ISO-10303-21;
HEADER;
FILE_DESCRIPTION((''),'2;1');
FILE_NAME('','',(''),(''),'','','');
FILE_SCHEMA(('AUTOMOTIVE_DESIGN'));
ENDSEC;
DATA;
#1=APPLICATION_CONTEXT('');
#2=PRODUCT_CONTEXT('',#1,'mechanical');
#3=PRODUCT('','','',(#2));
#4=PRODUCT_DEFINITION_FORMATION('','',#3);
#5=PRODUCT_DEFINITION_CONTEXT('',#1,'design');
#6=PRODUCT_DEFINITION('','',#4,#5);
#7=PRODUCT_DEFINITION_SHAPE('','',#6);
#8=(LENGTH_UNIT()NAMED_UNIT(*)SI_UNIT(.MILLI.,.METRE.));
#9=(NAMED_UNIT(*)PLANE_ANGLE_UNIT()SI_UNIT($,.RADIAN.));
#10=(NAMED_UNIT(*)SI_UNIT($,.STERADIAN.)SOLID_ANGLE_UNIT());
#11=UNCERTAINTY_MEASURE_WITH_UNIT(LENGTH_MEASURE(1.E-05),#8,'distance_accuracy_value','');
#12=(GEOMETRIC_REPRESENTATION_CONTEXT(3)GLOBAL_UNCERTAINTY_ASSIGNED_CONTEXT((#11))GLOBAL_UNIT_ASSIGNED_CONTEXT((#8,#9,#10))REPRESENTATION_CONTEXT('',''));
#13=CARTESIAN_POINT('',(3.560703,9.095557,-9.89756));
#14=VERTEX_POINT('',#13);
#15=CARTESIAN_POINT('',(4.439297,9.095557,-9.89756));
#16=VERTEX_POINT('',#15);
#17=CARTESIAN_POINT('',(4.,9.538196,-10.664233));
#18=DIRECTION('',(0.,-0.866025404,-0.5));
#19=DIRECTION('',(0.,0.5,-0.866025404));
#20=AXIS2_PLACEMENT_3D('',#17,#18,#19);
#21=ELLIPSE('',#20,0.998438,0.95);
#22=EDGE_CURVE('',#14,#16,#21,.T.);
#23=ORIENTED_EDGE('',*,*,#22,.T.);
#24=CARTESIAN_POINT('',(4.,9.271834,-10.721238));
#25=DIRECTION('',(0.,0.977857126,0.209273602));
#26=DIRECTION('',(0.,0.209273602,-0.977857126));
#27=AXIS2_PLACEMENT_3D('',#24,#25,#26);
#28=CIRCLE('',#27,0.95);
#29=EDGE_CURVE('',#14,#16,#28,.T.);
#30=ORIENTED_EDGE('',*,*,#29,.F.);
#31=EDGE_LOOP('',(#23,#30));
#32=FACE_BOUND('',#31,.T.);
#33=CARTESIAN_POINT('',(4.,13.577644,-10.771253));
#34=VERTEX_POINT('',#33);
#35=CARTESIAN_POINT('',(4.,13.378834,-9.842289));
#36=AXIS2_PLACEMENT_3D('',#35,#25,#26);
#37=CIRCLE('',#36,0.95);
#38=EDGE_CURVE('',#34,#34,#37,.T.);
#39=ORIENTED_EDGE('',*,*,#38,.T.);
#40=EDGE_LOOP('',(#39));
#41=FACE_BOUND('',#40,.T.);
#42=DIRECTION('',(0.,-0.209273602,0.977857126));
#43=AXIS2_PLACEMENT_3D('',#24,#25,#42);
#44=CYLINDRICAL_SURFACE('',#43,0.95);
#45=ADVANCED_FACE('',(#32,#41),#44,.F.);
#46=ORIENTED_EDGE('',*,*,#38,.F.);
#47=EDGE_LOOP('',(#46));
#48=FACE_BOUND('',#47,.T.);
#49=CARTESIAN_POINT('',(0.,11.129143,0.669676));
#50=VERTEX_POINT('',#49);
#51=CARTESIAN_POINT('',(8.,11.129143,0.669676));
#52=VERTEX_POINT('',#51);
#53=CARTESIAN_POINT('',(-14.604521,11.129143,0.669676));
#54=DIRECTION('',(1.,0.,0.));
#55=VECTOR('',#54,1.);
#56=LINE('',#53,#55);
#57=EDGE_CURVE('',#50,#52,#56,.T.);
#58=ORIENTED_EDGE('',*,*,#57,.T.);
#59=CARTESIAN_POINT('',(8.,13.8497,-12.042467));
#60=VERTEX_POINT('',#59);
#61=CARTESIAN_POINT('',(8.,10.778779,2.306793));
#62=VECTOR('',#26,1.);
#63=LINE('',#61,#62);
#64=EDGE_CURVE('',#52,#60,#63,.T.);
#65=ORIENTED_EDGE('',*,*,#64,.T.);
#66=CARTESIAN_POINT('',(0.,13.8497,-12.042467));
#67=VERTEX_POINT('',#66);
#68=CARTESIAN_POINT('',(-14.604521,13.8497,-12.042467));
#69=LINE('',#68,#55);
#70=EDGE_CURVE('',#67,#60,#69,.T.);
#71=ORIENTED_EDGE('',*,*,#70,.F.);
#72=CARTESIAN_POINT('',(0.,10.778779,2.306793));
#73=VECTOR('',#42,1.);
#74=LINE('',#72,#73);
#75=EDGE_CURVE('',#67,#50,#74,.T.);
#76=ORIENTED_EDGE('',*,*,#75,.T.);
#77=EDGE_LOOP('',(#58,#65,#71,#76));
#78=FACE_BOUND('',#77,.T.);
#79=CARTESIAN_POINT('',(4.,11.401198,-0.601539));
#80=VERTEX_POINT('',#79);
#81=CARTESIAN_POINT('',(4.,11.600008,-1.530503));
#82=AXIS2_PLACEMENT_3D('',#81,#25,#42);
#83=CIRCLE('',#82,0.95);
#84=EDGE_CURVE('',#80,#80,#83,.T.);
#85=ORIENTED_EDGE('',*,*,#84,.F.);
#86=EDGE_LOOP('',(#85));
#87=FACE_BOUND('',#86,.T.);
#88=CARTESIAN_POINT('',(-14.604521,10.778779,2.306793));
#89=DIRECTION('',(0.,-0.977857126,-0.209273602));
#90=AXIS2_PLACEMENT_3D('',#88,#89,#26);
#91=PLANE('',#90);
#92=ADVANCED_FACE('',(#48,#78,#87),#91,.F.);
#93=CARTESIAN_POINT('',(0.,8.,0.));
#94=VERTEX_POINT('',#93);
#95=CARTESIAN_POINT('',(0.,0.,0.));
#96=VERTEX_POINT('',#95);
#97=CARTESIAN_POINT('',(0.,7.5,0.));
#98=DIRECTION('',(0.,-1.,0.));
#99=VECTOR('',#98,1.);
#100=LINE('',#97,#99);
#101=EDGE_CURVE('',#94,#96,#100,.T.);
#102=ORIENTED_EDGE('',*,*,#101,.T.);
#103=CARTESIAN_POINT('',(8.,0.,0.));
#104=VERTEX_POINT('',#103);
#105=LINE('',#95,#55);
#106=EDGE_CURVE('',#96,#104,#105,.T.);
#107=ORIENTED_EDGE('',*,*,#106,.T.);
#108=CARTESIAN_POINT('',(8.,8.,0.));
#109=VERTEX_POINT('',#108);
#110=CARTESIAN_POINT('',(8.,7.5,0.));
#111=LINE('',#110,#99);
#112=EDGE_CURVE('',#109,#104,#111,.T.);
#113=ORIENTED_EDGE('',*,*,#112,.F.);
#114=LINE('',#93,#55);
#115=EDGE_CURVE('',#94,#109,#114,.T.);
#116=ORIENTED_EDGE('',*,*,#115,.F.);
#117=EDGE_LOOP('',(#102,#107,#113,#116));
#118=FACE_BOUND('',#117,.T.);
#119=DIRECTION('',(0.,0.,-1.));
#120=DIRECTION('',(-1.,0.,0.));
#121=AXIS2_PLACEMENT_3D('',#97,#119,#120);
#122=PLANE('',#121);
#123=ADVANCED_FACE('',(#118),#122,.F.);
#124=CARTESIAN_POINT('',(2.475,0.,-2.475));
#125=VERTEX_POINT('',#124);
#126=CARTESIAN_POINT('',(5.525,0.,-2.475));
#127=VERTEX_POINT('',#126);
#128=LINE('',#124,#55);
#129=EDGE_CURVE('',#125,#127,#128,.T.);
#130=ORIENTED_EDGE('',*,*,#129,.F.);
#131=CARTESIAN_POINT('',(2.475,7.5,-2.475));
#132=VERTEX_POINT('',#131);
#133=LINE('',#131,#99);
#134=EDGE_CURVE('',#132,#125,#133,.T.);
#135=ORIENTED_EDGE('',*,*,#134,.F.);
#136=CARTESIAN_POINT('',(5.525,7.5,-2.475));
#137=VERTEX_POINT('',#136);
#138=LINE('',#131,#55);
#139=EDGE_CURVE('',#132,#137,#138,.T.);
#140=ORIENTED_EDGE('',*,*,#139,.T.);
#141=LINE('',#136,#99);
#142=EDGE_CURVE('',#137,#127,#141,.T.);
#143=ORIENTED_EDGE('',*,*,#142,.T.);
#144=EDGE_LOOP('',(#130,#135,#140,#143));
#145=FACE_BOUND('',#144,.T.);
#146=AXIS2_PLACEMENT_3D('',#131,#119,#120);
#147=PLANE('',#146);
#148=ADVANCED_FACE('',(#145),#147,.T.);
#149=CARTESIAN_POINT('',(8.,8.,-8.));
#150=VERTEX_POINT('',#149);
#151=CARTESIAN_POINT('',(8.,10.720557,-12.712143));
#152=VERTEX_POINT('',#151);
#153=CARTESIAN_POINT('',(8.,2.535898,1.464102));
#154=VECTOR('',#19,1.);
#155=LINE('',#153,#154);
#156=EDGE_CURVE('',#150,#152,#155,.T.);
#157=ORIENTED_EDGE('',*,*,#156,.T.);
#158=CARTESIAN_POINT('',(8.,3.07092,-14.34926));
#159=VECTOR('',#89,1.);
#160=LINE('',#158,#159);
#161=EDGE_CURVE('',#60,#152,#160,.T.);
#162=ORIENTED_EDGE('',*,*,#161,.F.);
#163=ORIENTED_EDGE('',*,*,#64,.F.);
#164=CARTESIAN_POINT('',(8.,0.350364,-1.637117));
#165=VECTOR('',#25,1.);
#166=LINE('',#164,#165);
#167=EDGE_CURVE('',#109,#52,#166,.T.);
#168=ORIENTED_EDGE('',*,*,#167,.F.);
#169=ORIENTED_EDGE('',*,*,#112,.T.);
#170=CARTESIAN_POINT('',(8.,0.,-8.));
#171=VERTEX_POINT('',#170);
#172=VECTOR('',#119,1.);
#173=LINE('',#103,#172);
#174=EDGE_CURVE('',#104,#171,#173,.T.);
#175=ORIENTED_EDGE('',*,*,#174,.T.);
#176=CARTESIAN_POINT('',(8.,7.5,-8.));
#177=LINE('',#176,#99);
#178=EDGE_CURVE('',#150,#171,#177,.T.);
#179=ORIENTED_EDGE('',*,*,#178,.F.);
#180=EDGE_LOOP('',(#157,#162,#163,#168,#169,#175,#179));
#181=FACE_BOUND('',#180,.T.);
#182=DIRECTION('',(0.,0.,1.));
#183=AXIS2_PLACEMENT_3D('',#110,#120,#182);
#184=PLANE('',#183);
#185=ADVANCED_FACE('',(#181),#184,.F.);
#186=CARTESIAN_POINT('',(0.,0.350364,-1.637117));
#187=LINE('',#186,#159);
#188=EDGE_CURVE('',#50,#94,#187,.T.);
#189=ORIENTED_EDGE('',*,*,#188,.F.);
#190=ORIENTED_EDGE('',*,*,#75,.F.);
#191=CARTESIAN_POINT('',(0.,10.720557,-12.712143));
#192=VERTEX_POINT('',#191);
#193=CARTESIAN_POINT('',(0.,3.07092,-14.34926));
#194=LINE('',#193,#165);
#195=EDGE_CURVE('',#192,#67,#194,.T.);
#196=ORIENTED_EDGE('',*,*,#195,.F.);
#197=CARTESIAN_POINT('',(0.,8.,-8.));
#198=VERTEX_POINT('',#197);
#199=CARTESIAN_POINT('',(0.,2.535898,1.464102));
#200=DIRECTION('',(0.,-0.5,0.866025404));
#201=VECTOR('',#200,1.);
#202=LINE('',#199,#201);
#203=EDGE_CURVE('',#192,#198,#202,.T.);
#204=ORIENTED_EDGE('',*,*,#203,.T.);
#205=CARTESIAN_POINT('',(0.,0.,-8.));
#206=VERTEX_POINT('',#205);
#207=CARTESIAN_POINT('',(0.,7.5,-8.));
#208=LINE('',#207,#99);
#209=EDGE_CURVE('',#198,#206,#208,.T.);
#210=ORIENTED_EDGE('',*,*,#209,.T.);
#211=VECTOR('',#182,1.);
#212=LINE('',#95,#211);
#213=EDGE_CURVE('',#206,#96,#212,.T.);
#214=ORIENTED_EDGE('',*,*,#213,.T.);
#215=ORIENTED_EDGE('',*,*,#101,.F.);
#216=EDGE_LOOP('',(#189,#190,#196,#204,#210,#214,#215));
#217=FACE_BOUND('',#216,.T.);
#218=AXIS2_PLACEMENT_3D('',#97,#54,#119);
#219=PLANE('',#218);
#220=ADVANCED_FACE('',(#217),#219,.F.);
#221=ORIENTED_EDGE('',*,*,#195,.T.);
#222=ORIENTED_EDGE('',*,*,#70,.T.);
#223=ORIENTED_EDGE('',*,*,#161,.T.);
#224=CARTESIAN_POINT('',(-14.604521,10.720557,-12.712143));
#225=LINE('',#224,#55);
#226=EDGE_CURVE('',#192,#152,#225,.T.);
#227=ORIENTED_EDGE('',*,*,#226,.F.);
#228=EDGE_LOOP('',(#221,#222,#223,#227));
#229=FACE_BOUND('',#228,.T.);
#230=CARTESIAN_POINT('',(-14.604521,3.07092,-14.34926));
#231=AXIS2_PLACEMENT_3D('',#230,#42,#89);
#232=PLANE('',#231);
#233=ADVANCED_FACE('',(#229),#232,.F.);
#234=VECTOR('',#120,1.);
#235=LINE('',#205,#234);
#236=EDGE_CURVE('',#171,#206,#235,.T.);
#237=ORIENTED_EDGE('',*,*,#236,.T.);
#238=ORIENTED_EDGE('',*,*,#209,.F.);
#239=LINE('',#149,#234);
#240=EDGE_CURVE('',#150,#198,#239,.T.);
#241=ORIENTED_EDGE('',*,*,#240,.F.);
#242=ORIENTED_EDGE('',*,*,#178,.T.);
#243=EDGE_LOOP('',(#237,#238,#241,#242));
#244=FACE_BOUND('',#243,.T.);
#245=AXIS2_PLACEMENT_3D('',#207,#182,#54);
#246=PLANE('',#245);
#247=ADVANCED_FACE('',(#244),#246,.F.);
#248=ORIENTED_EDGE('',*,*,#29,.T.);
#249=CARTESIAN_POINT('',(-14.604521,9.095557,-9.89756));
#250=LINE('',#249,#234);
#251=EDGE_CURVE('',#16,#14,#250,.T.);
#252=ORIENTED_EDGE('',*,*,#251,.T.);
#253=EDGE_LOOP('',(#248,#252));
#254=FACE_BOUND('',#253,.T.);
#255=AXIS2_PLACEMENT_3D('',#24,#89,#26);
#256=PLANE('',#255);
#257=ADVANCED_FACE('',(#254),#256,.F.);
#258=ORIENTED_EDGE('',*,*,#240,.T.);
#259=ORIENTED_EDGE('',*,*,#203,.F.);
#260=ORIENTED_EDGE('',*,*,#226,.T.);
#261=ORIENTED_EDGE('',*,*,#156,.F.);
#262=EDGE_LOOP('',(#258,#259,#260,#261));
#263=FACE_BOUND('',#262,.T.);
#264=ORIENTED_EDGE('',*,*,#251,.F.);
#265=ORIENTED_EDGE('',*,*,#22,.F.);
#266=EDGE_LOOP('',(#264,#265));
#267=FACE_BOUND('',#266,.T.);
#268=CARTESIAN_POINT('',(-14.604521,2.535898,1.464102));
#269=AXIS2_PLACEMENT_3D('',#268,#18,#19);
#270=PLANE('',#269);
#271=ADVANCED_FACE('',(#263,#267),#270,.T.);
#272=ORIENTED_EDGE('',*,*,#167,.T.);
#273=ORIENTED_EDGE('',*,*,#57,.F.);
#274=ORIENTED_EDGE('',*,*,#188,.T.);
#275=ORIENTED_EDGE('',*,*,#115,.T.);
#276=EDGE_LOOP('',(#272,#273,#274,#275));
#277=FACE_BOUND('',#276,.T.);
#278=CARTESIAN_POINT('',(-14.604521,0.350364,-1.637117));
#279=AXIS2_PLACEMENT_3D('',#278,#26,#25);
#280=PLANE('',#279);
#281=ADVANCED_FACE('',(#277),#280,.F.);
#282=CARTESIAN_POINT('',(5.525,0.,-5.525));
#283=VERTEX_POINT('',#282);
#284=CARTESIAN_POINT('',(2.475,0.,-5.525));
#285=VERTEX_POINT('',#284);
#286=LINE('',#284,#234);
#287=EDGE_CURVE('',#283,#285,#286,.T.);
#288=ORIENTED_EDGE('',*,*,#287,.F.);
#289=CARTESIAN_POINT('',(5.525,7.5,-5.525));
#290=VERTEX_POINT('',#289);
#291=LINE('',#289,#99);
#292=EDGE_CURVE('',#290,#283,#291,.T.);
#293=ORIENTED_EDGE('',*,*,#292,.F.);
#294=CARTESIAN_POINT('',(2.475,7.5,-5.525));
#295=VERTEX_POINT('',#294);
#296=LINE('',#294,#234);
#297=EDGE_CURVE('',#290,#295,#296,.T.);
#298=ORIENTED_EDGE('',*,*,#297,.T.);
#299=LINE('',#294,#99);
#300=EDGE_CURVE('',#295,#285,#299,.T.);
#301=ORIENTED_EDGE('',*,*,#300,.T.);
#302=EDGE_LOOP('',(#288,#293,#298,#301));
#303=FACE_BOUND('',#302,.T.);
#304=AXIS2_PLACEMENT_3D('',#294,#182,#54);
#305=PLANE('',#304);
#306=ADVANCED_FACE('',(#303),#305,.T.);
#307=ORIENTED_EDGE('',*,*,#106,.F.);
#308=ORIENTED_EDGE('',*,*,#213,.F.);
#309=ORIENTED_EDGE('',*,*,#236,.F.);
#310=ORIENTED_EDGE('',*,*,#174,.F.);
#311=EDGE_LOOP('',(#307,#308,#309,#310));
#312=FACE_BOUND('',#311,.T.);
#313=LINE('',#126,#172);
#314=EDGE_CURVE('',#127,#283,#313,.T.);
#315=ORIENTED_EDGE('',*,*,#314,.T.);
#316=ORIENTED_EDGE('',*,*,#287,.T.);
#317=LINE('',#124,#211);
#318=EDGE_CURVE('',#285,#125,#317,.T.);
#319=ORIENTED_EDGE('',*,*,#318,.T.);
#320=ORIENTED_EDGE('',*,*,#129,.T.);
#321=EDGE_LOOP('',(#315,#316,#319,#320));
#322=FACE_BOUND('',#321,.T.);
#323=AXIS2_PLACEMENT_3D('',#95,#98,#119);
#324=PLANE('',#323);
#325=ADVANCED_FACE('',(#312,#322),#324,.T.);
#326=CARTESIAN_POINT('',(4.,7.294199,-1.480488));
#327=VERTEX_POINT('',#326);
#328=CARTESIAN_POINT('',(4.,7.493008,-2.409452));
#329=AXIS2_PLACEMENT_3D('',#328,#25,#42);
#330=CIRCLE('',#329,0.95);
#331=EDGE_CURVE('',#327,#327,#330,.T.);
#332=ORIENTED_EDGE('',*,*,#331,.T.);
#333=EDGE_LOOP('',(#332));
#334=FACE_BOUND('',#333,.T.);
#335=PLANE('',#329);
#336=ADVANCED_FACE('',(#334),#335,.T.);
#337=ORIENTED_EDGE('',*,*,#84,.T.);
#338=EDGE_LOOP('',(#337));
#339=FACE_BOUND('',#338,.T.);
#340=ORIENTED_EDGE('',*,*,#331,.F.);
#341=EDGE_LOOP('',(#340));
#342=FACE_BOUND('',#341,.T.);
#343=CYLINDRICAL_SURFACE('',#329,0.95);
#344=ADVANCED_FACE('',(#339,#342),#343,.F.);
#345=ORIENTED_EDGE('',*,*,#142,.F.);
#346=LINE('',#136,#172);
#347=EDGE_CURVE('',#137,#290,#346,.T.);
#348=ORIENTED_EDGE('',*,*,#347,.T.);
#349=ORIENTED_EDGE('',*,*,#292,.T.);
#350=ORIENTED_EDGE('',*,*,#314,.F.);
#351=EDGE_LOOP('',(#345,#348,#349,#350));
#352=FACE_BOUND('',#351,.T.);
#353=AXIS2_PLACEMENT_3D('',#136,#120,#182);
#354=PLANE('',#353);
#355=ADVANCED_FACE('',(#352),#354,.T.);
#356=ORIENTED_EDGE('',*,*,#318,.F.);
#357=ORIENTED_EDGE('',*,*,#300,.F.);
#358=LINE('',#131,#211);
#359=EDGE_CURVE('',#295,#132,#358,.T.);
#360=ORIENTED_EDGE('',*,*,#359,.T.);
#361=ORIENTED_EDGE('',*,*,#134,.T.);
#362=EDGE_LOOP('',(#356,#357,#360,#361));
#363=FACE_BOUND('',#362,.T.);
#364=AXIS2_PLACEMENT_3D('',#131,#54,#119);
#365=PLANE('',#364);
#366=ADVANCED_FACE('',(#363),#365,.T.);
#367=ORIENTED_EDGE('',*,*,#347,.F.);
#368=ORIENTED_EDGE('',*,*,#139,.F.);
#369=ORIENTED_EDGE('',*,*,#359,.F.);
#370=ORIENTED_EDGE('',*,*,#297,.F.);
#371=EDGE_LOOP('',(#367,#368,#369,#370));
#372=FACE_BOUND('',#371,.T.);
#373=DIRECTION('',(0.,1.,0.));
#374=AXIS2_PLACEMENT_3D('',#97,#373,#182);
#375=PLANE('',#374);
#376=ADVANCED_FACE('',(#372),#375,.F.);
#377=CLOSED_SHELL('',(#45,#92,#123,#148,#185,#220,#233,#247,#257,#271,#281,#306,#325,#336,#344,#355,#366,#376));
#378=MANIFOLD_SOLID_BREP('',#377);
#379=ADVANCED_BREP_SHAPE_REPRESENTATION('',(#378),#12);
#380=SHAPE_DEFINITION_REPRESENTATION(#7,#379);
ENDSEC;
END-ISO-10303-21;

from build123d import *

# Parameters (mm, degrees)
SKETCH_1_W          = 8
SKETCH_1_H          = 8
SKETCH_1_W_2        = 3.05
SKETCH_1_H_2        = 3.05
EXTRUDE_1_DEPTH     = 7.5
SKETCH_2_W          = 8
SKETCH_2_H          = 8
EXTRUDE_2_DEPTH     = 0.5
EXTRUDE_3_DEPTH     = 8
SKETCH_4_R          = 0.95
EXTRUDE_4_DEPTH     = 4
SKETCH_4_2_R        = 0.95
CUT_EXTRUDE_1_DEPTH = 4.2


with BuildPart() as part:
    # 草图1 → 凸台-拉伸1 (new body)
    with BuildSketch(Plane(origin=(0, 0, 0), x_dir=(1, 0, 0), z_dir=(0, 1, 0))):
        with Locations((4, 4)):
            Rectangle(SKETCH_1_W, SKETCH_1_H)
        with Locations((4, 4)):
            Rectangle(SKETCH_1_W_2, SKETCH_1_H_2, mode=Mode.SUBTRACT)
    extrude(amount=EXTRUDE_1_DEPTH)

    # 草图2 → 凸台-拉伸2 (add)
    with BuildSketch(Plane(origin=(0, 7.5, 0), x_dir=(1, 0, 0), z_dir=(0, 1, 0))):
        with Locations((4, 4)):
            Rectangle(SKETCH_2_W, SKETCH_2_H)
    extrude(amount=EXTRUDE_2_DEPTH)

    # 草图3 → 凸台-拉伸3 (add)
    with BuildSketch(Plane(origin=(8, 0, 0), x_dir=(0, 0, -1), z_dir=(1, 0, 0))):
        Polygon((12.042467117, 13.849699628), (12.712142643, 10.720556823), (0, 8), (-0.669675526, 11.129142804), align=None)
        Polygon((8, 8), (12.712142643, 10.720556823), (0, 8), align=None)
    extrude(amount=-EXTRUDE_3_DEPTH)

    # 草图4 → 凸台-拉伸4 (add)
    with BuildSketch(Plane(origin=(0, 10.778779281, 2.306792989), x_dir=(1, 0, 0), z_dir=(0, 0.9778571263703284, 0.2092736017914434))):
        with Locations((4, 3.924188814)):
            Circle(SKETCH_4_R)
        with Locations((4, 12.424188814)):
            Circle(SKETCH_4_R)
    extrude(amount=-EXTRUDE_4_DEPTH)

    # 草图4<2> → 切除-拉伸1 (cut)
    with BuildSketch(Plane(origin=(0, 10.778779281, 2.306792989), x_dir=(1, 0, 0), z_dir=(0, 0.9778571263703284, 0.2092736017914434))):
        with Locations(Location((4, 3.924188814, 0), (0, 0, 270))):
            Circle(SKETCH_4_2_R)
        with Locations(Location((4, 12.424188814, 0), (0, 0, 242.456788252))):
            Circle(SKETCH_4_2_R)
    extrude(amount=-CUT_EXTRUDE_1_DEPTH, mode=Mode.SUBTRACT)


solid = part.part
